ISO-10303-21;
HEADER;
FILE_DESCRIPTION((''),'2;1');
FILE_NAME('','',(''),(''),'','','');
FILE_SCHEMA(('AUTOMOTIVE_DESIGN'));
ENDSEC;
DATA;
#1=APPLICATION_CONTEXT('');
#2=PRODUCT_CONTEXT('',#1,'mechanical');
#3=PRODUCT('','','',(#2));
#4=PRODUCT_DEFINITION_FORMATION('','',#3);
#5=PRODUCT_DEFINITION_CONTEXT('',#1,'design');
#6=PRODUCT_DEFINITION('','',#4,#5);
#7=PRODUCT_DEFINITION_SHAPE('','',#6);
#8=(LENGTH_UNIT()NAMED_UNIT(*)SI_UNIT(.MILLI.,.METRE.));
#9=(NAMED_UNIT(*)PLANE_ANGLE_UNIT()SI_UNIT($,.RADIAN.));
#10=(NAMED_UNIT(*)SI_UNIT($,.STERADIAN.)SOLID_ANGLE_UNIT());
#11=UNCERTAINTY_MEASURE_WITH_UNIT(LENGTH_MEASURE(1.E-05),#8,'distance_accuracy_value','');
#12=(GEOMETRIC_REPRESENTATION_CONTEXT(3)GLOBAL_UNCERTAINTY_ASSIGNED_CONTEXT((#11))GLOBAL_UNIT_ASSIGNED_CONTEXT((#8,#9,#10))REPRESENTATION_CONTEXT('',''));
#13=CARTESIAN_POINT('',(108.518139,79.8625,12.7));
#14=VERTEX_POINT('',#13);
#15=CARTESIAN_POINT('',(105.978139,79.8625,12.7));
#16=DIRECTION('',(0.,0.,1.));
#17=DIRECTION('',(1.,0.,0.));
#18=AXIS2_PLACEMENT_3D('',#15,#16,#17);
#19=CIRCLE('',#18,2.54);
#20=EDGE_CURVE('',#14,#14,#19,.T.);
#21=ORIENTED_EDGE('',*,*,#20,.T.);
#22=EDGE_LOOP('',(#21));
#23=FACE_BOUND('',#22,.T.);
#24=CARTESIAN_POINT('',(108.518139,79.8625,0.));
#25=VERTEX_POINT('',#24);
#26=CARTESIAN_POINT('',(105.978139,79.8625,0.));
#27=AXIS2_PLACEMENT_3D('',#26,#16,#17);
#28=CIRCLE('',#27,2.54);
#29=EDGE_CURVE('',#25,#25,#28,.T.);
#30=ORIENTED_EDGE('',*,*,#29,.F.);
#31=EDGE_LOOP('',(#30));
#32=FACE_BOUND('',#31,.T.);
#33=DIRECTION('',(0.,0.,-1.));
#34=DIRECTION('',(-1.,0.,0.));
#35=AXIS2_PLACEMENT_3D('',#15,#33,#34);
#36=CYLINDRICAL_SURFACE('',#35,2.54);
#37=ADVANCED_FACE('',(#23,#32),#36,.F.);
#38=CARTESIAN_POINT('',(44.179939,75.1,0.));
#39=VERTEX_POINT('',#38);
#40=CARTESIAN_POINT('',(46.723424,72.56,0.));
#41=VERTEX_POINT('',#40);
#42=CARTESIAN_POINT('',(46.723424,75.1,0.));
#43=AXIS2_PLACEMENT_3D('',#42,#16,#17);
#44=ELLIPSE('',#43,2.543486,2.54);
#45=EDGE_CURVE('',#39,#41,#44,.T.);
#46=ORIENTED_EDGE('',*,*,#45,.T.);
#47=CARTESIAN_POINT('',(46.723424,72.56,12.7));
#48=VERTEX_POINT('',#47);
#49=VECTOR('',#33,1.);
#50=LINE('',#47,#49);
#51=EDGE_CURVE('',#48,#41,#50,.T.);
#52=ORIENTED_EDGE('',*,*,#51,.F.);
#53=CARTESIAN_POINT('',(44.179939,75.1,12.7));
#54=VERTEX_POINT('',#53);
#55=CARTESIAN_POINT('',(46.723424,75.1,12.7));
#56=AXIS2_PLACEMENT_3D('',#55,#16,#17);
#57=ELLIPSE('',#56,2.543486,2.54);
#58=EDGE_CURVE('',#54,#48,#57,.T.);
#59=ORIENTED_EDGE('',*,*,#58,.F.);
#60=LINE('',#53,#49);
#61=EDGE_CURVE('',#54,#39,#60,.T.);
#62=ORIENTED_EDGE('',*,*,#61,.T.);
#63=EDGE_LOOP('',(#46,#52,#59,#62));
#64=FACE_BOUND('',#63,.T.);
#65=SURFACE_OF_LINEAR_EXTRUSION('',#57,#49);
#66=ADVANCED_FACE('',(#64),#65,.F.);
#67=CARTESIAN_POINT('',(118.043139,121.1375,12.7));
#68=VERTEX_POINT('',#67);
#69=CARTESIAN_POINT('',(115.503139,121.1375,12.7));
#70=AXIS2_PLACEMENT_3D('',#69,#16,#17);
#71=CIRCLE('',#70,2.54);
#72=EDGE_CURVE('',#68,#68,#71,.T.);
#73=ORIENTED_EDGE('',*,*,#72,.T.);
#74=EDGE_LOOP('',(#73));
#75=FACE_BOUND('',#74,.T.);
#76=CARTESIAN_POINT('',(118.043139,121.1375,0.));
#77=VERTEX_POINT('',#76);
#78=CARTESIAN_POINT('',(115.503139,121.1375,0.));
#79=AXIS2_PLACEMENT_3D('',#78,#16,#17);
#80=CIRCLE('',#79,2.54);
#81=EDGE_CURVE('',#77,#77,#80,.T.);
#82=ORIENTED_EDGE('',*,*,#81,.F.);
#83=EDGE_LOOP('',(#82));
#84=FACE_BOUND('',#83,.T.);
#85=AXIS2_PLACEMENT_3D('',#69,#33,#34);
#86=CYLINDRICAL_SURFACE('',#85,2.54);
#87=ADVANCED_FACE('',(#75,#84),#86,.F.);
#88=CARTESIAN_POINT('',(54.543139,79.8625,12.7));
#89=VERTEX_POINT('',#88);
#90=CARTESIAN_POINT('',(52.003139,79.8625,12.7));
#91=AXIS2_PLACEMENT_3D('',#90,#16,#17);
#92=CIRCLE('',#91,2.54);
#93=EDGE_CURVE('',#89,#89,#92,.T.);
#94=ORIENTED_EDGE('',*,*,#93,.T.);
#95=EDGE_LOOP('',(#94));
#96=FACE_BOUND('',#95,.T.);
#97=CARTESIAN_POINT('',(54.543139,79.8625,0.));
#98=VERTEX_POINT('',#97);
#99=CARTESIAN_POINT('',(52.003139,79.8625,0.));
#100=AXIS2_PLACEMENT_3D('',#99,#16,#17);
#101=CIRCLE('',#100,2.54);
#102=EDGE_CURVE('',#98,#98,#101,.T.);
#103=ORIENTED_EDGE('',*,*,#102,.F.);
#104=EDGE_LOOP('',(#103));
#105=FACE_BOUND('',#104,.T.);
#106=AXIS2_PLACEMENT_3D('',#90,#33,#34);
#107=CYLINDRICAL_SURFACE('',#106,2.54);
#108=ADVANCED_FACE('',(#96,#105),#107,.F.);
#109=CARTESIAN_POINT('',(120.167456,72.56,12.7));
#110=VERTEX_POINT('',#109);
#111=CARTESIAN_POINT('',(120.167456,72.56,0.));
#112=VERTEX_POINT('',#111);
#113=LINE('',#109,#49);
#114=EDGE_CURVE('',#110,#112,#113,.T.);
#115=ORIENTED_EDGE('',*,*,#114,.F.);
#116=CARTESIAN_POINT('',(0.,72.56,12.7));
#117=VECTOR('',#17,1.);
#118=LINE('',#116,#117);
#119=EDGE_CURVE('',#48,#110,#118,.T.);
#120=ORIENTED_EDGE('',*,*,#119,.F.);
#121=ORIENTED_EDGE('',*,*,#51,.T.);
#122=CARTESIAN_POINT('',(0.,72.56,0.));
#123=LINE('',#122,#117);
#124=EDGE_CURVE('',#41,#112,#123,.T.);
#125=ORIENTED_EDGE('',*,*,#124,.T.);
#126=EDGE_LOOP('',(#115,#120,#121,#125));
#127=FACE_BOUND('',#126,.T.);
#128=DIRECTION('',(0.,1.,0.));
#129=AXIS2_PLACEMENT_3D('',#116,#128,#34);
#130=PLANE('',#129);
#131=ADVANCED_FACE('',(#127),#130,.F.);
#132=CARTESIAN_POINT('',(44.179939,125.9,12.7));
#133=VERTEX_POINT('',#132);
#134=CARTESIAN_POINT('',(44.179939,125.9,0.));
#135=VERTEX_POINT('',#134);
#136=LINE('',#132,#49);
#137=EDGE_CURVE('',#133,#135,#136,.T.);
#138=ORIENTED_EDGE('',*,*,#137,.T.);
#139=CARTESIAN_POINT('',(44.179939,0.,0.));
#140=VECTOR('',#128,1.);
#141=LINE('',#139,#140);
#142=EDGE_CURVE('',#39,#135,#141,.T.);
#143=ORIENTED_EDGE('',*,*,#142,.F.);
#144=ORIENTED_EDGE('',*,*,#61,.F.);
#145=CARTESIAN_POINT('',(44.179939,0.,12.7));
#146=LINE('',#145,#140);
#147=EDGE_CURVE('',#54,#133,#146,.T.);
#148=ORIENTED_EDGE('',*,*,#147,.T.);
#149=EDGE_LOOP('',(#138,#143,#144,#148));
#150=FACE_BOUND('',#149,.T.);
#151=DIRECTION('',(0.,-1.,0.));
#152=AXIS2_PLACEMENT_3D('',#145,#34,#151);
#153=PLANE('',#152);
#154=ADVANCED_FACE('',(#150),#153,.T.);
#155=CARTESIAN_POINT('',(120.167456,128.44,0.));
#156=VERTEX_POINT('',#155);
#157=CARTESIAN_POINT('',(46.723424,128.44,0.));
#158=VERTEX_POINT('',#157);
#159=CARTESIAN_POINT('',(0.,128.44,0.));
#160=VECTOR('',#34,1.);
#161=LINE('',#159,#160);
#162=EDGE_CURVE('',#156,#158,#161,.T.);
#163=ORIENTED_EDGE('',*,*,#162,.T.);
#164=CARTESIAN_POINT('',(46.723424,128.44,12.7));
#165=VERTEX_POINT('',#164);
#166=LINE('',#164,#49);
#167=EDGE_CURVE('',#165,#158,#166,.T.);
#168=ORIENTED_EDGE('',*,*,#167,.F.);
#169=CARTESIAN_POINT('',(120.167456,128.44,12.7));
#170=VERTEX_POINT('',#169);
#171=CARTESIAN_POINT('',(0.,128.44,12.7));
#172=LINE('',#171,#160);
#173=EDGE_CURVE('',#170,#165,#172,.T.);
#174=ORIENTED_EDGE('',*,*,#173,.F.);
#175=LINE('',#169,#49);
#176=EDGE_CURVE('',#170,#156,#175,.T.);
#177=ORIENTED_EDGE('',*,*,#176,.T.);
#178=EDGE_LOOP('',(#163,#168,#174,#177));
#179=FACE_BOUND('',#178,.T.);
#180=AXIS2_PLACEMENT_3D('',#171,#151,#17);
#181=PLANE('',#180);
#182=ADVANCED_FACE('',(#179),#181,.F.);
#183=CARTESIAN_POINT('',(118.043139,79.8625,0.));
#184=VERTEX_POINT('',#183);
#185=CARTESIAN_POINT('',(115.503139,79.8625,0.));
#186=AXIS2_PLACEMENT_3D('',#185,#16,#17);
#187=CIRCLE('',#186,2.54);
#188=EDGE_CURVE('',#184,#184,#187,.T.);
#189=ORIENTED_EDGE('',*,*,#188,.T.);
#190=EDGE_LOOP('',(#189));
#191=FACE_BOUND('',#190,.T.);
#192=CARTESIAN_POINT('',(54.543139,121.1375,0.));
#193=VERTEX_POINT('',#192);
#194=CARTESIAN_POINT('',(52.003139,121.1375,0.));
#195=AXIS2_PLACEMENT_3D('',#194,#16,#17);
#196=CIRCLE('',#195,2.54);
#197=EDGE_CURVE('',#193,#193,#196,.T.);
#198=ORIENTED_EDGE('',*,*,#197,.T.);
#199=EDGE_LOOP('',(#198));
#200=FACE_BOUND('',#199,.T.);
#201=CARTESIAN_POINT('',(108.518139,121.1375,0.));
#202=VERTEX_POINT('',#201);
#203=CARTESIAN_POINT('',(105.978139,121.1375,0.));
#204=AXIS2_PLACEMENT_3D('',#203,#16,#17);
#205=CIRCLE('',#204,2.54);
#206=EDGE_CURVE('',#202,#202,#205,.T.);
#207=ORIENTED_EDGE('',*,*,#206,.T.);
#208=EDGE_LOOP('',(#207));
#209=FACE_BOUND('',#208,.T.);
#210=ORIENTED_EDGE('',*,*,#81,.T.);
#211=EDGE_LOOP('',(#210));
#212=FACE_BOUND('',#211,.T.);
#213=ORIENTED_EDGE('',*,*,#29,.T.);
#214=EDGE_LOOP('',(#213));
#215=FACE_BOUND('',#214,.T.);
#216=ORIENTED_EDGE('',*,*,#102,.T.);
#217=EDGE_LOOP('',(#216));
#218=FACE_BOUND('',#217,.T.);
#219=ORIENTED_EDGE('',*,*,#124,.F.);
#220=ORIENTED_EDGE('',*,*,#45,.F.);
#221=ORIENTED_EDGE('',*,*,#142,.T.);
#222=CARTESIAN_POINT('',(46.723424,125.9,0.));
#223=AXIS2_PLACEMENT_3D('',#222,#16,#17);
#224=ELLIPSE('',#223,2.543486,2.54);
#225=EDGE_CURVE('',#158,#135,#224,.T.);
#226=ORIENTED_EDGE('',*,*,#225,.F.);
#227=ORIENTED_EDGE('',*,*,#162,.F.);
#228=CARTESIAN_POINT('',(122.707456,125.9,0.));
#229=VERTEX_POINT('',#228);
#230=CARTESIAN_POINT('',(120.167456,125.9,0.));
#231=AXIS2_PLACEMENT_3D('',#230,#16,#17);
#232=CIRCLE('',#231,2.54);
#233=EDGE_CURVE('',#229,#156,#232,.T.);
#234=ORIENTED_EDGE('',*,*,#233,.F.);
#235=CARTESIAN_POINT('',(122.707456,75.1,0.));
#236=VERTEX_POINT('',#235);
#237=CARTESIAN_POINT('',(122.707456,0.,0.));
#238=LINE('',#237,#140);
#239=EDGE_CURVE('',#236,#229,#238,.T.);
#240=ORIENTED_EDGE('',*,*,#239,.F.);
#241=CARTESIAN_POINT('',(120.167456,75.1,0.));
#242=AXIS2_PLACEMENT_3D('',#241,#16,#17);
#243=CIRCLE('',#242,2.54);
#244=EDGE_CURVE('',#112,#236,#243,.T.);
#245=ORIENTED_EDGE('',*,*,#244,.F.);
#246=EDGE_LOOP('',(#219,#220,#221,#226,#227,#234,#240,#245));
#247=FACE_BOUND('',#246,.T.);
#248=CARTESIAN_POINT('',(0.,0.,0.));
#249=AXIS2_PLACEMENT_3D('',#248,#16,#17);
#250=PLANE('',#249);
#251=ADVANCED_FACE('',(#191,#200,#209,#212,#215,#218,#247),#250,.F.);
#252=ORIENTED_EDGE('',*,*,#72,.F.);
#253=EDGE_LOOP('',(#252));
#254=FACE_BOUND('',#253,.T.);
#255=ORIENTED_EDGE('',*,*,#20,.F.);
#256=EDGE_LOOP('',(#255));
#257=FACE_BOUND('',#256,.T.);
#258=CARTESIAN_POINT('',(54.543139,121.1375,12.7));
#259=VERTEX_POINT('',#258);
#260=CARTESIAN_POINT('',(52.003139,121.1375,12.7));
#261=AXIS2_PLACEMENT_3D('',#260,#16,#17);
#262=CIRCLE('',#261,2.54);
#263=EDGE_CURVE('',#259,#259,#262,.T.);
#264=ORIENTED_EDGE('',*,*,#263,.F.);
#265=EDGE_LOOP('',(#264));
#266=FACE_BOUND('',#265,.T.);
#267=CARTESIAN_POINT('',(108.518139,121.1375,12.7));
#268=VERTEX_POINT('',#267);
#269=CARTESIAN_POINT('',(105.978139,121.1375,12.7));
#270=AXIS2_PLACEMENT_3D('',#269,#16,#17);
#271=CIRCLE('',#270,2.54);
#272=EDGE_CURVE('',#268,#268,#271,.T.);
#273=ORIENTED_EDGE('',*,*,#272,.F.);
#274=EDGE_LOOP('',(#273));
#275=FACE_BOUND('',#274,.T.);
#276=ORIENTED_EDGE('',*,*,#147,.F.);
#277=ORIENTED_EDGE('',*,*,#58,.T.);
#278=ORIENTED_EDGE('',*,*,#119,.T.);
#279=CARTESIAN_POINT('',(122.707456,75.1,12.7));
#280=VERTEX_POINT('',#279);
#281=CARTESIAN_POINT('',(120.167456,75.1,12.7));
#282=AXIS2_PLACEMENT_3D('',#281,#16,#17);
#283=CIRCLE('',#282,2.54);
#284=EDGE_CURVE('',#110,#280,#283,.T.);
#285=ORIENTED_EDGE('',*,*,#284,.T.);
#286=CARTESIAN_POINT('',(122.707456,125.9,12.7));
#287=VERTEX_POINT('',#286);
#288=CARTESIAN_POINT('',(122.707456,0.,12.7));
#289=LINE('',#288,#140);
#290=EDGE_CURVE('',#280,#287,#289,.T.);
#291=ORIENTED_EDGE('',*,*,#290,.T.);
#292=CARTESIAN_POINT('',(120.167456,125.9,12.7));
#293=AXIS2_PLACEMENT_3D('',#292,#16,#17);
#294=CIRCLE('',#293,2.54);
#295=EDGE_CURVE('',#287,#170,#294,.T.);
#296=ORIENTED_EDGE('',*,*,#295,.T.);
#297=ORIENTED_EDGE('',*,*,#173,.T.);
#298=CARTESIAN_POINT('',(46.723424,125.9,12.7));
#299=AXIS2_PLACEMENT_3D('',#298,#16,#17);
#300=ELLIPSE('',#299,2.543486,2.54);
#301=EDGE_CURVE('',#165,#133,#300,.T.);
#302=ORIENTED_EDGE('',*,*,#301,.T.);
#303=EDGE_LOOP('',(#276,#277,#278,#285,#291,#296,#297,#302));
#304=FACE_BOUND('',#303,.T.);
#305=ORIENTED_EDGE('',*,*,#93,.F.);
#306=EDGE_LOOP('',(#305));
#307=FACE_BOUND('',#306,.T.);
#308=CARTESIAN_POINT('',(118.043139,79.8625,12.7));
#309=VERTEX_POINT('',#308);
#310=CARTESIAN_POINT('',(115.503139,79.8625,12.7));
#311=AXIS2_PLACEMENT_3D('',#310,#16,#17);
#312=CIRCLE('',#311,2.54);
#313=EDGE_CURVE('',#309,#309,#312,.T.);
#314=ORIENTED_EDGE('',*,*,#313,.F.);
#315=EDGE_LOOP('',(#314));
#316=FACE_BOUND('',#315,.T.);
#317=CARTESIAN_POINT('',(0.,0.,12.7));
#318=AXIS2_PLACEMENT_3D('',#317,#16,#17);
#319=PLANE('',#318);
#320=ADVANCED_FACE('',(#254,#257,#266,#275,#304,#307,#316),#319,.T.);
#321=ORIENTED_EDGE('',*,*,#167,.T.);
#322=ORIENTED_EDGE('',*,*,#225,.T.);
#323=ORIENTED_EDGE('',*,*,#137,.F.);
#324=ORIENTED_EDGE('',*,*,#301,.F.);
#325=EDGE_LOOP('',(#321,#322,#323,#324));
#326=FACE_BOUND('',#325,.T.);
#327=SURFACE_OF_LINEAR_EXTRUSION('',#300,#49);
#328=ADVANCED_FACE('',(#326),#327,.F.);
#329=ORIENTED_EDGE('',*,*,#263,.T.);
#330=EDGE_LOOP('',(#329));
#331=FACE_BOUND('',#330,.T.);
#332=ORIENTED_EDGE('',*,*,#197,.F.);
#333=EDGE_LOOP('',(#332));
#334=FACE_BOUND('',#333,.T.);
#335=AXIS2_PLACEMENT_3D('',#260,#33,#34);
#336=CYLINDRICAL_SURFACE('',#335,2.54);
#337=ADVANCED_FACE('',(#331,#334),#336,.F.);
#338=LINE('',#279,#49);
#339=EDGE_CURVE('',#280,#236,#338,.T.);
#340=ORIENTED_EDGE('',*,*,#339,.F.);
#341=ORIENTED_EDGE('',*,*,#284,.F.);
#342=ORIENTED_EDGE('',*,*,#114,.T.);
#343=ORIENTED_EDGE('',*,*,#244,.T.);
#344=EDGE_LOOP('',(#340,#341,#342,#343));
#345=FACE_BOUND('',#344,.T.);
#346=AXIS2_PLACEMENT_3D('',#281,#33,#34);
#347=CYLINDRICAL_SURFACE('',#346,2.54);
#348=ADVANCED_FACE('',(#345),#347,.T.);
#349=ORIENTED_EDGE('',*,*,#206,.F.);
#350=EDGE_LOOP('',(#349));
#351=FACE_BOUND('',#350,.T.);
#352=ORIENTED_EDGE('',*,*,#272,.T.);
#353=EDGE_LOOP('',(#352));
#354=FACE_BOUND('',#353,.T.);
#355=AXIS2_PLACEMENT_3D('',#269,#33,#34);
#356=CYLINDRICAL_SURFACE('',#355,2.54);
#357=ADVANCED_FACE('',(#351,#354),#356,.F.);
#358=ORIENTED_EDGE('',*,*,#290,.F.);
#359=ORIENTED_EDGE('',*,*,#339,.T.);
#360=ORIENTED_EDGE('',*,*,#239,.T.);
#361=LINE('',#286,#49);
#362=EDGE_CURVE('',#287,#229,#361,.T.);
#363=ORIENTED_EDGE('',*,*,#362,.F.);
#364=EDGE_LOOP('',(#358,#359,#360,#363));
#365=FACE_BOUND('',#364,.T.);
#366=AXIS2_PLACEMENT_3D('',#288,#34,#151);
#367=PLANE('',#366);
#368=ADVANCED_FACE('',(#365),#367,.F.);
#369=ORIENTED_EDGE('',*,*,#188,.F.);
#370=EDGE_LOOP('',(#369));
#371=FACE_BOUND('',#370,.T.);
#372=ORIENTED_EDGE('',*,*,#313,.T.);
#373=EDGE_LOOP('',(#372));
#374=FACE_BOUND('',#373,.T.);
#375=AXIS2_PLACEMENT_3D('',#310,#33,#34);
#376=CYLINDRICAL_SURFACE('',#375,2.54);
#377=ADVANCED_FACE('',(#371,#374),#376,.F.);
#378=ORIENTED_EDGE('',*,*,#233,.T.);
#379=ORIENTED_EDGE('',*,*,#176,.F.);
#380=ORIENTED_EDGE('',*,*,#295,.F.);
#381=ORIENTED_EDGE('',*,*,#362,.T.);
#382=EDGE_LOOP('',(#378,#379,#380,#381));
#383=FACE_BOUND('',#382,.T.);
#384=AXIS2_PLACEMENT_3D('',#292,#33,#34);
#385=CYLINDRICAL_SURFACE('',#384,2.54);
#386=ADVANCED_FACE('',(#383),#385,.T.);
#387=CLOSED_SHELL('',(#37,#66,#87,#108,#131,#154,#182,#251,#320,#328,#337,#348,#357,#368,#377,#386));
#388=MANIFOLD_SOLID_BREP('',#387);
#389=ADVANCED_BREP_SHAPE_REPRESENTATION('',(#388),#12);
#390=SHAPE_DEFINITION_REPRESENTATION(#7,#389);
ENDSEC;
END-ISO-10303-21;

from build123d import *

# Parameters (mm, degrees)
SKETCH1_R           = 2.54
BOSS_EXTRUDE1_DEPTH = 12.7


with BuildPart() as part:
    # Sketch1 → Boss-Extrude1 (new body)
    with BuildSketch(Plane.XY):
        with BuildLine():
            Line((120.167455723, 128.44), (46.723424496, 128.44))
            add(Edge.make_bspline(
                [(46.723424496, 128.44), (44.179938737, 128.44), (44.179938737, 125.9)],
                knots=[1.570796327, 1.570796327, 1.570796327, 3.141592654, 3.141592654, 3.141592654], degree=2, weights=[1, 0.707106781, 1]))
            Line((44.179938737, 125.9), (44.179938737, 75.1))
            add(Edge.make_bspline(
                [(44.179938737, 75.1), (44.179938737, 72.56), (46.723424496, 72.56)],
                knots=[3.141592654, 3.141592654, 3.141592654, 4.71238898, 4.71238898, 4.71238898], degree=2, weights=[1, 0.707106781, 1]))
            Line((46.723424496, 72.56), (120.167455723, 72.56))
            ThreePointArc((120.167455723, 72.56), (121.963506947, 73.303948776), (122.707455723, 75.1))
            Line((122.707455723, 75.1), (122.707455723, 125.9))
            ThreePointArc((122.707455723, 125.9), (121.963506947, 127.696051224), (120.167455723, 128.44))
        make_face()
        with Locations((105.978138737, 79.8625)):
            Circle(SKETCH1_R, mode=Mode.SUBTRACT)
        with Locations((115.503138737, 79.8625)):
            Circle(SKETCH1_R, mode=Mode.SUBTRACT)
        with Locations((115.503138737, 121.1375)):
            Circle(SKETCH1_R, mode=Mode.SUBTRACT)
        with Locations((105.978138737, 121.1375)):
            Circle(SKETCH1_R, mode=Mode.SUBTRACT)
        with Locations((52.003138737, 121.1375)):
            Circle(SKETCH1_R, mode=Mode.SUBTRACT)
        with Locations((52.003138737, 79.8625)):
            Circle(SKETCH1_R, mode=Mode.SUBTRACT)
    extrude(amount=BOSS_EXTRUDE1_DEPTH)


solid = part.part
